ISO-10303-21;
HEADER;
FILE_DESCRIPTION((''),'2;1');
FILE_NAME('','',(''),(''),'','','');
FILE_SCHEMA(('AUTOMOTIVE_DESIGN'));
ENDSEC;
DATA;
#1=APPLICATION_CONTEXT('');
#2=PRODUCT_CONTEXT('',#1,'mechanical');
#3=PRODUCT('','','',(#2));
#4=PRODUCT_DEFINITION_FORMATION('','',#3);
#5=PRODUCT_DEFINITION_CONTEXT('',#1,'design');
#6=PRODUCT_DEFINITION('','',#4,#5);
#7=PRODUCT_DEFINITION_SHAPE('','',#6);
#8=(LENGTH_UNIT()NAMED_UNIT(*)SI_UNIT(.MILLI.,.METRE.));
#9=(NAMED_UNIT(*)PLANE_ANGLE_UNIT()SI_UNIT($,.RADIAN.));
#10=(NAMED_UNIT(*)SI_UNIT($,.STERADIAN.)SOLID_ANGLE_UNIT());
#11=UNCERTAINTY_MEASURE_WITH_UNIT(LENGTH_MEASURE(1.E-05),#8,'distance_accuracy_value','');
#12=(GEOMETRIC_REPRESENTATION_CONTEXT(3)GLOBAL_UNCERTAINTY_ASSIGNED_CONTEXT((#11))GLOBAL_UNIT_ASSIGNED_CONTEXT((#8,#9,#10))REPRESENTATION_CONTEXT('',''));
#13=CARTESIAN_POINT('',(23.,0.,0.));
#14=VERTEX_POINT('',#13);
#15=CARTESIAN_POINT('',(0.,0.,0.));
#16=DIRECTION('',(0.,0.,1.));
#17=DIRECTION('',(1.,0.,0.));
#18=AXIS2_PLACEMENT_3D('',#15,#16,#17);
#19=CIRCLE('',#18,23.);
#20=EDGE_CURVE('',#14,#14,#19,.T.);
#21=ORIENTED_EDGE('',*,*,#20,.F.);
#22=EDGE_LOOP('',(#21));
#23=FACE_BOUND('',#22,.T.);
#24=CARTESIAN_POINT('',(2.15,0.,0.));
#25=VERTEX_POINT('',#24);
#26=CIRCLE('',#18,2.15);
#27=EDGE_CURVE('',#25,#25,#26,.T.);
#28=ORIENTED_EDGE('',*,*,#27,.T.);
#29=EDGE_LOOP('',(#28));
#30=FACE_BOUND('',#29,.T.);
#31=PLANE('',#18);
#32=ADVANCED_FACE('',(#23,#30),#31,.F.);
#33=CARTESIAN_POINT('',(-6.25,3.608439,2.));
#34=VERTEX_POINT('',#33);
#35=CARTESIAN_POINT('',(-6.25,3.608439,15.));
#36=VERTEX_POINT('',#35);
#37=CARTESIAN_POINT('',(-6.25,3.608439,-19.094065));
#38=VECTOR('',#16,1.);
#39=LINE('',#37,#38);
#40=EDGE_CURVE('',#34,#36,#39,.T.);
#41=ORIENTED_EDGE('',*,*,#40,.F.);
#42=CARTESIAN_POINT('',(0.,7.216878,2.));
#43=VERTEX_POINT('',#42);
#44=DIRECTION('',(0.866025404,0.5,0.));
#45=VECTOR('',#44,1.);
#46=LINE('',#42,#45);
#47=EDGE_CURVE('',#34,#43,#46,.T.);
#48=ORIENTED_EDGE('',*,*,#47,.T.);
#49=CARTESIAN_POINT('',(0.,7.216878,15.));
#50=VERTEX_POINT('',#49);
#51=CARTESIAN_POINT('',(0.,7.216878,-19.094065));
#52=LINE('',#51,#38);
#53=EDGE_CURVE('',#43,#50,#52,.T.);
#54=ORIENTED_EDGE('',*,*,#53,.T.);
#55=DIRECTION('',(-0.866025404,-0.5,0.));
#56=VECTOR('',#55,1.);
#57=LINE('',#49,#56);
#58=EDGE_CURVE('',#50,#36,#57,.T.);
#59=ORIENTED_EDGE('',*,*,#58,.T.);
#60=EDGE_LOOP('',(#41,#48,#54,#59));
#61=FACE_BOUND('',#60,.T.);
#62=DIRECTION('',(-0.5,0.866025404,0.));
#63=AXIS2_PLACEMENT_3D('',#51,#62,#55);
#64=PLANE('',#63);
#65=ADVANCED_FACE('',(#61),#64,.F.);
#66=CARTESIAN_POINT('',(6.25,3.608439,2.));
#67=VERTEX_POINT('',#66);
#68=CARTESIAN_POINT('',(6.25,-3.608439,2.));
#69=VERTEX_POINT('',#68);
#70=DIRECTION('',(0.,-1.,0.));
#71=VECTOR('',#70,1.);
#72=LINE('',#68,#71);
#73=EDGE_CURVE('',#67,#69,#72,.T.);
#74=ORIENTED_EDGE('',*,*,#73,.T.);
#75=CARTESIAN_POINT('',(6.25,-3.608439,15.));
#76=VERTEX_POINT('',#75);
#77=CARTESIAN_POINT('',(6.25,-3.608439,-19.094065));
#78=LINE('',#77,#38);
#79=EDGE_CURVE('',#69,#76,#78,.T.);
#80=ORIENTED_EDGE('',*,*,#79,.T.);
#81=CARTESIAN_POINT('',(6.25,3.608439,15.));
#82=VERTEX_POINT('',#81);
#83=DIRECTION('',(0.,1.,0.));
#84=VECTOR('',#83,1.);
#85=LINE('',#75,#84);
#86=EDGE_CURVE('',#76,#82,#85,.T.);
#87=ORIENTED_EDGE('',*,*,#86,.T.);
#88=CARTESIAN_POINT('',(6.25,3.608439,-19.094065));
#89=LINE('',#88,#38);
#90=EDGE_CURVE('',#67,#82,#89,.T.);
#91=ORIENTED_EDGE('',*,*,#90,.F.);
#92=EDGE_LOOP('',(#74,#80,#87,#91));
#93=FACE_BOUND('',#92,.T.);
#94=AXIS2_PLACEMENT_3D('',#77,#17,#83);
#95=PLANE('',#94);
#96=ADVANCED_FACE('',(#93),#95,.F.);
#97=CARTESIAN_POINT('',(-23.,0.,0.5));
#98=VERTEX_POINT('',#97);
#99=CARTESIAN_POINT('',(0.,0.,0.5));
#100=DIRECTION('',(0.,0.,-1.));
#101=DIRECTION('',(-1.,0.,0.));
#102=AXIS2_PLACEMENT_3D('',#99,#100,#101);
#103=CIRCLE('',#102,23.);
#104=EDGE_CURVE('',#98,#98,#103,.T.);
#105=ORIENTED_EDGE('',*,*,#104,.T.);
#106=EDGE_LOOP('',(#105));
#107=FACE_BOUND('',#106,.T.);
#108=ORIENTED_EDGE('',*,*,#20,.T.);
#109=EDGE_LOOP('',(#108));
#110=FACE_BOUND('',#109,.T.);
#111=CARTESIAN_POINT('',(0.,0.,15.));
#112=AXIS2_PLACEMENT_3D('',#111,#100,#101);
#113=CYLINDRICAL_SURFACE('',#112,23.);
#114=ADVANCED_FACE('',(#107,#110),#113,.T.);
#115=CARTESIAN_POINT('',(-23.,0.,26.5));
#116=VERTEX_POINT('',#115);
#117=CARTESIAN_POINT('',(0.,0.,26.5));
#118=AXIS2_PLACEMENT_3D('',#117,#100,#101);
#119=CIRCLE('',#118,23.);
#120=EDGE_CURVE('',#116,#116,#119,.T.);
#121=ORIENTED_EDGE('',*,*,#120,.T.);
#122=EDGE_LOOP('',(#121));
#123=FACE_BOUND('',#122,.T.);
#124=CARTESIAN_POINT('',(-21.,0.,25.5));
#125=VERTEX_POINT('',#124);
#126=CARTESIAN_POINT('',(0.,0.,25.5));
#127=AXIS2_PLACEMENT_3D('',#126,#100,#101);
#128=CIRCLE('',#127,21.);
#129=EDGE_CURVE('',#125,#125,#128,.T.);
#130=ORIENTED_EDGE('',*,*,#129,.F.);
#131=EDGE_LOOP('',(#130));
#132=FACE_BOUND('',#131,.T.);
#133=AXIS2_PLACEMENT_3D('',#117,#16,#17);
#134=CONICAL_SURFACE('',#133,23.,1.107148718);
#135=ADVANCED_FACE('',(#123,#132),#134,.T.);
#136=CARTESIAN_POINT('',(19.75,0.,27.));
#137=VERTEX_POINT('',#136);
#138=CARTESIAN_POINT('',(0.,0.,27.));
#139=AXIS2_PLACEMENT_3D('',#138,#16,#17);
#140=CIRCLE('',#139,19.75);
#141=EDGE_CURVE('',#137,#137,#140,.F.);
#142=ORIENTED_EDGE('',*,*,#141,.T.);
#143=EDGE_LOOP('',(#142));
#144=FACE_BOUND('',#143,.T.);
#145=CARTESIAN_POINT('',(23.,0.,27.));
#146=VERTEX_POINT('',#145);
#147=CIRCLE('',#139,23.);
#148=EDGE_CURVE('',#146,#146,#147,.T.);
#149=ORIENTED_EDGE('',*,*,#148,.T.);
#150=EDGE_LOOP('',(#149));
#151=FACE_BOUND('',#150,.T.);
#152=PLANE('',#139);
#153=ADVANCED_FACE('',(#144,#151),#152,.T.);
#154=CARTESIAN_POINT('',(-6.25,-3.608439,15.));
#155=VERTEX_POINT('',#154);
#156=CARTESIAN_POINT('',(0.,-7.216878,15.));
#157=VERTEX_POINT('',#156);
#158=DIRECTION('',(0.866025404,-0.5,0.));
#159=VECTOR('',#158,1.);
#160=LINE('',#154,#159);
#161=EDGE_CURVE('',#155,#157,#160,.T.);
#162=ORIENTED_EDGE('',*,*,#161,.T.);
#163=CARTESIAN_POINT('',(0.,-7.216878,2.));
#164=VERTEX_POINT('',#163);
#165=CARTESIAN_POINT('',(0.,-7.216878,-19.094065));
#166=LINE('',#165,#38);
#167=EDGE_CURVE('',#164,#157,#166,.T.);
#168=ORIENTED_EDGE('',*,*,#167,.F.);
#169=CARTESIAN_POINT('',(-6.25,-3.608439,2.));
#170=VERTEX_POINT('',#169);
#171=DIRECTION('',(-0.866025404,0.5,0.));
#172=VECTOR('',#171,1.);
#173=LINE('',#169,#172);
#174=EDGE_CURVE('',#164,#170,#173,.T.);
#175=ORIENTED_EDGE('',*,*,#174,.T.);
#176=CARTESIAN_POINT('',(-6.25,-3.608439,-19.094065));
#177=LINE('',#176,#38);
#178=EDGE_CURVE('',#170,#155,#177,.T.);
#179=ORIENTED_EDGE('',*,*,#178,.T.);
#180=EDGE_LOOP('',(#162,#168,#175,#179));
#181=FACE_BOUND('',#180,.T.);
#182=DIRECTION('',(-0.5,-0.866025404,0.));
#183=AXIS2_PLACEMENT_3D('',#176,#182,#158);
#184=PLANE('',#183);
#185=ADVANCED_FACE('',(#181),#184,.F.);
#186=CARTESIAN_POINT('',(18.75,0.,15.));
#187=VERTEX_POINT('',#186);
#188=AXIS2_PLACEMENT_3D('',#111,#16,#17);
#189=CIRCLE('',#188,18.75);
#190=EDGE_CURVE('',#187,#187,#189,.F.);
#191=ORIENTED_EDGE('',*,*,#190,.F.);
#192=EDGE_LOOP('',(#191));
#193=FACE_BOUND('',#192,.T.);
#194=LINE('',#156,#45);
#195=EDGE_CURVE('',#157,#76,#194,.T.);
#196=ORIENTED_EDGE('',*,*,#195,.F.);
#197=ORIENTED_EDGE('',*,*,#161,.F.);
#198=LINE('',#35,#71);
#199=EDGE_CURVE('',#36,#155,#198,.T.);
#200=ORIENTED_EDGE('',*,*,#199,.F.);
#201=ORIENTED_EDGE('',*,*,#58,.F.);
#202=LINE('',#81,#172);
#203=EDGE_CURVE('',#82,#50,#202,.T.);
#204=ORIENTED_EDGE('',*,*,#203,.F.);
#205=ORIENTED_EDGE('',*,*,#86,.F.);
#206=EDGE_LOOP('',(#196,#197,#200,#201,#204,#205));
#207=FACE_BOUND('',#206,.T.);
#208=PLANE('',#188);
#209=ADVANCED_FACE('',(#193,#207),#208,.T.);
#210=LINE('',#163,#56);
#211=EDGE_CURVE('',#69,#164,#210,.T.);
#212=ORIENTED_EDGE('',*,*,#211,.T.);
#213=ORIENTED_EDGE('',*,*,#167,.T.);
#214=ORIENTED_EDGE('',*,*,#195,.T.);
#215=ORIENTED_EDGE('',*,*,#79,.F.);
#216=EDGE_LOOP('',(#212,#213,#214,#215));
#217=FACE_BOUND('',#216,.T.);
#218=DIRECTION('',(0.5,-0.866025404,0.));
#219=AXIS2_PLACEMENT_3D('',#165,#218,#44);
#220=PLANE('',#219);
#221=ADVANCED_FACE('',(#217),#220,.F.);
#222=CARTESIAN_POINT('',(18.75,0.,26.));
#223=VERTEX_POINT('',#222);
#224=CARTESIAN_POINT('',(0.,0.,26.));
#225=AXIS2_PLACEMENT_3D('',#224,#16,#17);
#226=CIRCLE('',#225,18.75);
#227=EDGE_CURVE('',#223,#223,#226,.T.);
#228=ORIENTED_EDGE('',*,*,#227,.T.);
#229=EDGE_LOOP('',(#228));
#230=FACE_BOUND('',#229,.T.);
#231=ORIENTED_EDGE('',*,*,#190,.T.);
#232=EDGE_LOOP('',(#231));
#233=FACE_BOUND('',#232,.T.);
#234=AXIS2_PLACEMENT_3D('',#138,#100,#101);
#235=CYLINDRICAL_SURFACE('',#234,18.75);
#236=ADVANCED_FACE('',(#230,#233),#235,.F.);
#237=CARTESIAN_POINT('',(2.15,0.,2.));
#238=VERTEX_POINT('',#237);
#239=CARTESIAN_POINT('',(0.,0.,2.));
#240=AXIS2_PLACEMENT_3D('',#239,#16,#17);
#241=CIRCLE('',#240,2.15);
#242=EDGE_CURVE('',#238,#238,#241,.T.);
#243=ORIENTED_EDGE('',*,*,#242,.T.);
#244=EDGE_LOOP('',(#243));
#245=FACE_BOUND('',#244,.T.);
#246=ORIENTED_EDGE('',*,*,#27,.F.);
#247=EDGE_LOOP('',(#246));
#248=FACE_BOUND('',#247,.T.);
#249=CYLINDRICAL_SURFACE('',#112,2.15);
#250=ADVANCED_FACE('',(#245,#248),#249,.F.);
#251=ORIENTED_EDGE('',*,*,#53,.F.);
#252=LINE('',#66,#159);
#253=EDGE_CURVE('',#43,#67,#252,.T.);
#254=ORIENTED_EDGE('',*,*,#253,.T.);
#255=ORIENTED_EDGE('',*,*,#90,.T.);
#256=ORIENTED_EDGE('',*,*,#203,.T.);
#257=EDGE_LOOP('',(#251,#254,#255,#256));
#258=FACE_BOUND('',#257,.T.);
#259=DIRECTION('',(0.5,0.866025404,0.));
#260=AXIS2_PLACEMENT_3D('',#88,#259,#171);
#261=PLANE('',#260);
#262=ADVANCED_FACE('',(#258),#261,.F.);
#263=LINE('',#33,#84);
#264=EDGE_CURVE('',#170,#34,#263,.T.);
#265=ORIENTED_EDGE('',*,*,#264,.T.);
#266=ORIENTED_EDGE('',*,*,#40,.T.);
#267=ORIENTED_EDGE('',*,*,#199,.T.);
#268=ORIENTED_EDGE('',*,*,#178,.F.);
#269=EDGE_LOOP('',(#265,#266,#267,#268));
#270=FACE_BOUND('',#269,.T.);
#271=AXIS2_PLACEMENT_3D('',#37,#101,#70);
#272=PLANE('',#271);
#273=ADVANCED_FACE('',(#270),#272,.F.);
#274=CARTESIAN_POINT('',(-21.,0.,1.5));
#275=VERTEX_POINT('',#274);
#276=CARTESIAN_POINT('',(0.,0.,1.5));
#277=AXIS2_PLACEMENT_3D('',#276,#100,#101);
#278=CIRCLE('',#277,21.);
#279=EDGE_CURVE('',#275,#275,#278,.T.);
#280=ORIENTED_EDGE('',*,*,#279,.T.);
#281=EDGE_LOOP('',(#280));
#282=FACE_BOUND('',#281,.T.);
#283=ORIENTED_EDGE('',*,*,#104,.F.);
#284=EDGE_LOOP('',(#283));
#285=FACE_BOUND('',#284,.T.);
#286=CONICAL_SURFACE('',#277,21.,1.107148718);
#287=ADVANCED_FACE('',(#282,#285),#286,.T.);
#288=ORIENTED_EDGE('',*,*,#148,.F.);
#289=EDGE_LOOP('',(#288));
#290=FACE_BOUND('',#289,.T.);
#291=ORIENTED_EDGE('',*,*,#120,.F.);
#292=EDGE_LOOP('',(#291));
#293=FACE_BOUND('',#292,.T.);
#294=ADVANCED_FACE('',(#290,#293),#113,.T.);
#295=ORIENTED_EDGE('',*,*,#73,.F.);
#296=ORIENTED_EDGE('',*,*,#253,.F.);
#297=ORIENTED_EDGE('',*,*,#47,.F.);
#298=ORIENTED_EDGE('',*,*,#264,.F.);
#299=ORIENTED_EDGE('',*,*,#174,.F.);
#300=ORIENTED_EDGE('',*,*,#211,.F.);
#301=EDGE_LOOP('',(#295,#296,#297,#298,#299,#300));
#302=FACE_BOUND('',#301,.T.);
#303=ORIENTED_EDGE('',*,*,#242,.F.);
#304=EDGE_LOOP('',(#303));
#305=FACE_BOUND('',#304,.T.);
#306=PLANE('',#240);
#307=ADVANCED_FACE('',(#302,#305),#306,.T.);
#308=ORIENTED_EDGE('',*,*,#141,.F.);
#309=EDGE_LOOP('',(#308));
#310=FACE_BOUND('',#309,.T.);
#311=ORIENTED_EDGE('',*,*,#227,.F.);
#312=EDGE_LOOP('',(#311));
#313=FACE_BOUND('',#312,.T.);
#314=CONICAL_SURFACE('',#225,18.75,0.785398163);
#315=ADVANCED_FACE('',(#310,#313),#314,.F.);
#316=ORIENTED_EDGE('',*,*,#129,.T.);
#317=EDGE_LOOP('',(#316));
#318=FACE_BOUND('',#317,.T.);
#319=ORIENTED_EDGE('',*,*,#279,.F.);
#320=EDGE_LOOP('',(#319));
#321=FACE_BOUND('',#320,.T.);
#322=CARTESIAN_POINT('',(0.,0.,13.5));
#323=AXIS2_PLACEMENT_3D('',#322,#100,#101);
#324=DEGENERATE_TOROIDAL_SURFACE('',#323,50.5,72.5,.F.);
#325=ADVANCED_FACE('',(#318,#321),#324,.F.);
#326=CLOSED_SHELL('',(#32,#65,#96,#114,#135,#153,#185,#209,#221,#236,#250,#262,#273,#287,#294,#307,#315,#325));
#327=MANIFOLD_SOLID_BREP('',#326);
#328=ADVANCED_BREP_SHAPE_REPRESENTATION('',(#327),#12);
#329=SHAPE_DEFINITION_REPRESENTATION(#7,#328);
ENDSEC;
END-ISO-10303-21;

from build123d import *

# Parameters (mm, degrees)
ESQUISSE1_R             = 23
ESQUISSE1_R_2           = 2.15
BOSS_EXTRU_1_DEPTH      = 15
ESQUISSE2_R             = 23
ESQUISSE2_R_2           = 18.75
BOSS_EXTRU_2_DEPTH      = 12
ENL_V_MAT_EXTRU_9_DEPTH = 13
CHANFREIN1_SIZE         = 1


with BuildPart() as part:
    # Esquisse1 → Boss.-Extru.1 (new body)
    with BuildSketch(Plane.XY):
        Circle(ESQUISSE1_R)
        Circle(ESQUISSE1_R_2, mode=Mode.SUBTRACT)
    extrude(amount=BOSS_EXTRU_1_DEPTH)

    # Esquisse2 → Boss.-Extru.2 (add)
    with BuildSketch(Plane.XY.offset(15)):
        Circle(ESQUISSE2_R)
        Circle(ESQUISSE2_R_2, mode=Mode.SUBTRACT)
    extrude(amount=BOSS_EXTRU_2_DEPTH)

    # Esquisse9 → Enlèv. mat.-Extru.9 (cut)
    with BuildSketch(Plane.XY.offset(15)):
        Polygon((6.25, -3.608439182), (6.25, 3.608439182), (0, 7.216878365), (-6.25, 3.608439182), (-6.25, -3.608439182), (0, -7.216878365), align=None)
    extrude(amount=-ENL_V_MAT_EXTRU_9_DEPTH, mode=Mode.SUBTRACT)

    # Chanfrein1
    chanfrein1_edges = [part.edges().sort_by_distance(p)[0] for p in [
        (-18.75, 0, 27),
    ]]
    chamfer(chanfrein1_edges, length=CHANFREIN1_SIZE)

    # Esquisse10 → Enlèvement de matière-Révolution1 (revolve, cut)
    with BuildSketch(Plane(origin=(0, 0, 0), x_dir=(0, 0, -1), z_dir=(1, 0, 0)), mode=Mode.PRIVATE) as enl_vement_de_mati_re_r_volution1_sk:
        with BuildLine():
            Line((-26.5, 23), (-0.5, 23))
            Line((-0.5, 23), (-1.5, 21))
            ThreePointArc((-1.5, 21), (-13.5, 22), (-25.5, 21))
            Line((-25.5, 21), (-26.5, 23))
        make_face()
    revolve(enl_vement_de_mati_re_r_volution1_sk.sketch.rotate(Axis((0, 0, 0), (0, 0, 1)), 90), axis=Axis((0, 0, 0), (0, 0, 1)), mode=Mode.SUBTRACT)


solid = part.part
